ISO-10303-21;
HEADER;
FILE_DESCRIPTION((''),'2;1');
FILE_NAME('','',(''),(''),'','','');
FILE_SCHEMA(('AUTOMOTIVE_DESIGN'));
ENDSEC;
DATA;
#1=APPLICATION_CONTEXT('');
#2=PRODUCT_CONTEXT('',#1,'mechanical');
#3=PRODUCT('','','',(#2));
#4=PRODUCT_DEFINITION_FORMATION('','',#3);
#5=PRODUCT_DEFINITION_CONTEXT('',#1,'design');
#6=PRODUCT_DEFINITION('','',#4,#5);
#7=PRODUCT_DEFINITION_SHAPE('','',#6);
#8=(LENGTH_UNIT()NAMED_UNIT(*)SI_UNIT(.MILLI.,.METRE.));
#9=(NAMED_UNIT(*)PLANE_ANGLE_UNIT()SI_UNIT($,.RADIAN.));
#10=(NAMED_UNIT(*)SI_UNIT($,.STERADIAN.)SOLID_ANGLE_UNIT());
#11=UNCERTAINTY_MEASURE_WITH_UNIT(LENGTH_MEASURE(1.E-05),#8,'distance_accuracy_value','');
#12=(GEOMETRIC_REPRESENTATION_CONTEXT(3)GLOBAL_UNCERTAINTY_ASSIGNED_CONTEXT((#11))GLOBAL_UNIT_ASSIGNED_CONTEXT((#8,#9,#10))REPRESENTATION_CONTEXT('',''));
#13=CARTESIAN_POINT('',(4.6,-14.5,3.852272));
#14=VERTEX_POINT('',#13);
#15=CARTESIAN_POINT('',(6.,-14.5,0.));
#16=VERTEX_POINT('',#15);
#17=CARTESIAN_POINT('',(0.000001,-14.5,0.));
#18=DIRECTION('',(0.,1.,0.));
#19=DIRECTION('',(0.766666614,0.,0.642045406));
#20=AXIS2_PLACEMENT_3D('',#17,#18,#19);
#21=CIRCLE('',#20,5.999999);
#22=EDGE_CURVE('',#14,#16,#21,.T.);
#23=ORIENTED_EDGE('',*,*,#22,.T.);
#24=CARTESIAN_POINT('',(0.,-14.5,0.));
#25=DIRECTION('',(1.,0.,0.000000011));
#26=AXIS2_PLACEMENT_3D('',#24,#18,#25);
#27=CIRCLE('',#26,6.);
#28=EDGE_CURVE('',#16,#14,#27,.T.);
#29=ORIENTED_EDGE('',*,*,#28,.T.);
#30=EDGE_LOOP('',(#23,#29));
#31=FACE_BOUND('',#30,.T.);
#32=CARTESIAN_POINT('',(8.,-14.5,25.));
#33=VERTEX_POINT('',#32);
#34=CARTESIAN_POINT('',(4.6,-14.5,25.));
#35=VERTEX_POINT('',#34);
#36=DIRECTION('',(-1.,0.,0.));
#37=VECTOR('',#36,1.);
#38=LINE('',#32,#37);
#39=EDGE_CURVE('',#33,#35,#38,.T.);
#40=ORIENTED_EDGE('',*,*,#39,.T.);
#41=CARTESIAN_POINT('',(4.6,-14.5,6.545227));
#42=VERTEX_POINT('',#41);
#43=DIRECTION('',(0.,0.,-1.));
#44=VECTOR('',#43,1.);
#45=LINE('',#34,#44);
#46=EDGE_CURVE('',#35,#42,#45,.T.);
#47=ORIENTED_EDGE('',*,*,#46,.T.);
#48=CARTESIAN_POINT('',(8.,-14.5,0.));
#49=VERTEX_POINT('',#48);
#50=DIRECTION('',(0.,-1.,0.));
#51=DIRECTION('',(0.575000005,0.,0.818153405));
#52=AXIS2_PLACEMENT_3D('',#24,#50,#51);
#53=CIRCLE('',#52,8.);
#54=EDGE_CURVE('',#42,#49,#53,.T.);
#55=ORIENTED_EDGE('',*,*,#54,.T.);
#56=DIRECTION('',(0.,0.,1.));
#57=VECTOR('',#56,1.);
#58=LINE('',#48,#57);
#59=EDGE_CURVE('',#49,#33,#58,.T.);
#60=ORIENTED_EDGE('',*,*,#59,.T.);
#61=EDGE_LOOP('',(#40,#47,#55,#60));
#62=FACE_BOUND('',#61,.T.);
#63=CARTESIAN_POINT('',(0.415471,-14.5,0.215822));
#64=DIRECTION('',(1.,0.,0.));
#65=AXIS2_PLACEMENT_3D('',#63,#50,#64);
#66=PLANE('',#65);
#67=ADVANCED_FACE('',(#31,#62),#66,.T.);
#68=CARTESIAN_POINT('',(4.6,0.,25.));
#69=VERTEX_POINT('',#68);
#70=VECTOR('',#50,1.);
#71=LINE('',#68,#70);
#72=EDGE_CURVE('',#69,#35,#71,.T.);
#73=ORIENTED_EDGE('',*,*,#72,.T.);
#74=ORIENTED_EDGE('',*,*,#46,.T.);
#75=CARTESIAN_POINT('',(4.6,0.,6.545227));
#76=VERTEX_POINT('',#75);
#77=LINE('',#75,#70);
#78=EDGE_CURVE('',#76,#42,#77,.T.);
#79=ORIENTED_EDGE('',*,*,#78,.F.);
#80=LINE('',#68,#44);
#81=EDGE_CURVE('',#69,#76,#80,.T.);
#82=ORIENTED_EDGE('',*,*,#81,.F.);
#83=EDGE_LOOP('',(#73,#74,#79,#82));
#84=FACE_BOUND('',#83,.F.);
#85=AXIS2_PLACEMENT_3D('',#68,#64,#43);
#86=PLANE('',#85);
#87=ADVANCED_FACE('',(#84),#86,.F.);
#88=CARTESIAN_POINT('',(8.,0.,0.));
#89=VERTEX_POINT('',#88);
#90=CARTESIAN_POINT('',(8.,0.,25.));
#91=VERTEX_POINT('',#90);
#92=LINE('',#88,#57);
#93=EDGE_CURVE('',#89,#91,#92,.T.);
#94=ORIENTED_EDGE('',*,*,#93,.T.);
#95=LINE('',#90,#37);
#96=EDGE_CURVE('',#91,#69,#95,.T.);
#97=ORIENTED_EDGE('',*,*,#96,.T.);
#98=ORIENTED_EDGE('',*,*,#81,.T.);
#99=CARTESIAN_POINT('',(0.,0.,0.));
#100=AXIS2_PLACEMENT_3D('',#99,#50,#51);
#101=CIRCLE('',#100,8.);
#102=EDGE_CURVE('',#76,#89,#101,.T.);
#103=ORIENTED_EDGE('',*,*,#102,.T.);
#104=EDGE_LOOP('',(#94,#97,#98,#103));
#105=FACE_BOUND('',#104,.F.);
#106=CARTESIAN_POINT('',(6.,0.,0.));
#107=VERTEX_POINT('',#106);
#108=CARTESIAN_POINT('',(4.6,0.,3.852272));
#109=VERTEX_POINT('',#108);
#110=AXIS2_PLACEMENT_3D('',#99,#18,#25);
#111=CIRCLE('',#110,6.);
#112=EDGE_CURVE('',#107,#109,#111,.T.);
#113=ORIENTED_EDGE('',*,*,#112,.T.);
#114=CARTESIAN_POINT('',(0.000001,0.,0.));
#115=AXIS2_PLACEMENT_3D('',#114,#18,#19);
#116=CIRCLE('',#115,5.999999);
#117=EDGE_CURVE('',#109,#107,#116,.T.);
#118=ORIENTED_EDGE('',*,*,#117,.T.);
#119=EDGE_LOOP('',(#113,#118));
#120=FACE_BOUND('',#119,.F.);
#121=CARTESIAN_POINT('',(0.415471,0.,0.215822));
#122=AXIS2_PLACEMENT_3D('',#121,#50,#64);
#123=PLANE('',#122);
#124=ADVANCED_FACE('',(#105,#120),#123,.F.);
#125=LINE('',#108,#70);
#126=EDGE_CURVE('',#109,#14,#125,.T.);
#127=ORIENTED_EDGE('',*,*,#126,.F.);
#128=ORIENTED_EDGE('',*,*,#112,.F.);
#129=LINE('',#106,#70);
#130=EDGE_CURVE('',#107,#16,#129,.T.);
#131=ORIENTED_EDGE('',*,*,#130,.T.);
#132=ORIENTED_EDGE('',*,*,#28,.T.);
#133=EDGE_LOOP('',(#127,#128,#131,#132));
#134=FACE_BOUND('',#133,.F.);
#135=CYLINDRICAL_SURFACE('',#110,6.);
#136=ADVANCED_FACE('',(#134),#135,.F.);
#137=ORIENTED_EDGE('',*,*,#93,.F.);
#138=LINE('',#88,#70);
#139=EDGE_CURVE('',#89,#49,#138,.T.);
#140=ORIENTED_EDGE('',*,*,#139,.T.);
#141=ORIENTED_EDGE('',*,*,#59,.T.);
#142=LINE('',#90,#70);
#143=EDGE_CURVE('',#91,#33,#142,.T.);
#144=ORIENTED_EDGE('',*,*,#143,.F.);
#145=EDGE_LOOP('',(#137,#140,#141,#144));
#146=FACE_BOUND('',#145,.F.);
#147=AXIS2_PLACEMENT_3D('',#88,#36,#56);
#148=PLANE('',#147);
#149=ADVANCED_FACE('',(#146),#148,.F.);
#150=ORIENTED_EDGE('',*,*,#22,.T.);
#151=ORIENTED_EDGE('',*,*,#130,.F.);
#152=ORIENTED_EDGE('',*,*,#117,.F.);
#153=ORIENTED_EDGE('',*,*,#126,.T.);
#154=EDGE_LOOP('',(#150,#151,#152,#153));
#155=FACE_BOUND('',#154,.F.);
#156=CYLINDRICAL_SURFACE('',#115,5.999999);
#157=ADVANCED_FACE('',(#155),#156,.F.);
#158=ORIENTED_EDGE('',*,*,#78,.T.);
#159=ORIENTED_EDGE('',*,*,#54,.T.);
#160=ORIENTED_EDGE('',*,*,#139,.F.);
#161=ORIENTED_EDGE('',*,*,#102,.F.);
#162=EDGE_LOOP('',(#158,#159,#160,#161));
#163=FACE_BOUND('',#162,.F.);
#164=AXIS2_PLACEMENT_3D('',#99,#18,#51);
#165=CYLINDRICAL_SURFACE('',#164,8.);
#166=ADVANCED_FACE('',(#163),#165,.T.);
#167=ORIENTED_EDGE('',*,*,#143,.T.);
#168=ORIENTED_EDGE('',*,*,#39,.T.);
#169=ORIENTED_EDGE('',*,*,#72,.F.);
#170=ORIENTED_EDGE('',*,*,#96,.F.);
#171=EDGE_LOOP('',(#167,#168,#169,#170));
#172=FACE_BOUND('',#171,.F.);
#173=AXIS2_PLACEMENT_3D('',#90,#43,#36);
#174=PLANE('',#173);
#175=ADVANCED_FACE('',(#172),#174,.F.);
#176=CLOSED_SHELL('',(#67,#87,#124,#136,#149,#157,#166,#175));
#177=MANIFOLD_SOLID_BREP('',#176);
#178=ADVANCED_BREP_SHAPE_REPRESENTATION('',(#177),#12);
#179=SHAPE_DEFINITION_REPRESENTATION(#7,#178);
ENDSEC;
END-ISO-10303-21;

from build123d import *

# Parameters (mm, degrees)
F1_DEPTH = 14.5


with BuildPart() as f1:
    # F0 (on Front) → F1 (new body)
    with BuildSketch(Plane.XZ):
        with BuildLine():
            ThreePointArc((8, 0), (7.099296, 3.687818), (4.6, 6.545227))
            ThreePointArc((4.6, 6.545227), (-7.099296, -3.687818), (8, 0))
        make_face()
        with BuildLine():
            ThreePointArc((4.6, 3.852272), (5.639149, 2.04939), (6, 0))
            ThreePointArc((6, 0), (-5.639149, -2.04939), (4.6, 3.852272))
        make_face(mode=Mode.SUBTRACT)
        with BuildLine():
            Line((4.6, 25), (4.6, 6.545227))
            ThreePointArc((4.6, 6.545227), (7.099296, 3.687818), (8, 0))
            Line((8, 0), (8, 25))
            Line((8, 25), (4.6, 25))
        make_face()
    extrude(amount=F1_DEPTH)


solid = f1.part
